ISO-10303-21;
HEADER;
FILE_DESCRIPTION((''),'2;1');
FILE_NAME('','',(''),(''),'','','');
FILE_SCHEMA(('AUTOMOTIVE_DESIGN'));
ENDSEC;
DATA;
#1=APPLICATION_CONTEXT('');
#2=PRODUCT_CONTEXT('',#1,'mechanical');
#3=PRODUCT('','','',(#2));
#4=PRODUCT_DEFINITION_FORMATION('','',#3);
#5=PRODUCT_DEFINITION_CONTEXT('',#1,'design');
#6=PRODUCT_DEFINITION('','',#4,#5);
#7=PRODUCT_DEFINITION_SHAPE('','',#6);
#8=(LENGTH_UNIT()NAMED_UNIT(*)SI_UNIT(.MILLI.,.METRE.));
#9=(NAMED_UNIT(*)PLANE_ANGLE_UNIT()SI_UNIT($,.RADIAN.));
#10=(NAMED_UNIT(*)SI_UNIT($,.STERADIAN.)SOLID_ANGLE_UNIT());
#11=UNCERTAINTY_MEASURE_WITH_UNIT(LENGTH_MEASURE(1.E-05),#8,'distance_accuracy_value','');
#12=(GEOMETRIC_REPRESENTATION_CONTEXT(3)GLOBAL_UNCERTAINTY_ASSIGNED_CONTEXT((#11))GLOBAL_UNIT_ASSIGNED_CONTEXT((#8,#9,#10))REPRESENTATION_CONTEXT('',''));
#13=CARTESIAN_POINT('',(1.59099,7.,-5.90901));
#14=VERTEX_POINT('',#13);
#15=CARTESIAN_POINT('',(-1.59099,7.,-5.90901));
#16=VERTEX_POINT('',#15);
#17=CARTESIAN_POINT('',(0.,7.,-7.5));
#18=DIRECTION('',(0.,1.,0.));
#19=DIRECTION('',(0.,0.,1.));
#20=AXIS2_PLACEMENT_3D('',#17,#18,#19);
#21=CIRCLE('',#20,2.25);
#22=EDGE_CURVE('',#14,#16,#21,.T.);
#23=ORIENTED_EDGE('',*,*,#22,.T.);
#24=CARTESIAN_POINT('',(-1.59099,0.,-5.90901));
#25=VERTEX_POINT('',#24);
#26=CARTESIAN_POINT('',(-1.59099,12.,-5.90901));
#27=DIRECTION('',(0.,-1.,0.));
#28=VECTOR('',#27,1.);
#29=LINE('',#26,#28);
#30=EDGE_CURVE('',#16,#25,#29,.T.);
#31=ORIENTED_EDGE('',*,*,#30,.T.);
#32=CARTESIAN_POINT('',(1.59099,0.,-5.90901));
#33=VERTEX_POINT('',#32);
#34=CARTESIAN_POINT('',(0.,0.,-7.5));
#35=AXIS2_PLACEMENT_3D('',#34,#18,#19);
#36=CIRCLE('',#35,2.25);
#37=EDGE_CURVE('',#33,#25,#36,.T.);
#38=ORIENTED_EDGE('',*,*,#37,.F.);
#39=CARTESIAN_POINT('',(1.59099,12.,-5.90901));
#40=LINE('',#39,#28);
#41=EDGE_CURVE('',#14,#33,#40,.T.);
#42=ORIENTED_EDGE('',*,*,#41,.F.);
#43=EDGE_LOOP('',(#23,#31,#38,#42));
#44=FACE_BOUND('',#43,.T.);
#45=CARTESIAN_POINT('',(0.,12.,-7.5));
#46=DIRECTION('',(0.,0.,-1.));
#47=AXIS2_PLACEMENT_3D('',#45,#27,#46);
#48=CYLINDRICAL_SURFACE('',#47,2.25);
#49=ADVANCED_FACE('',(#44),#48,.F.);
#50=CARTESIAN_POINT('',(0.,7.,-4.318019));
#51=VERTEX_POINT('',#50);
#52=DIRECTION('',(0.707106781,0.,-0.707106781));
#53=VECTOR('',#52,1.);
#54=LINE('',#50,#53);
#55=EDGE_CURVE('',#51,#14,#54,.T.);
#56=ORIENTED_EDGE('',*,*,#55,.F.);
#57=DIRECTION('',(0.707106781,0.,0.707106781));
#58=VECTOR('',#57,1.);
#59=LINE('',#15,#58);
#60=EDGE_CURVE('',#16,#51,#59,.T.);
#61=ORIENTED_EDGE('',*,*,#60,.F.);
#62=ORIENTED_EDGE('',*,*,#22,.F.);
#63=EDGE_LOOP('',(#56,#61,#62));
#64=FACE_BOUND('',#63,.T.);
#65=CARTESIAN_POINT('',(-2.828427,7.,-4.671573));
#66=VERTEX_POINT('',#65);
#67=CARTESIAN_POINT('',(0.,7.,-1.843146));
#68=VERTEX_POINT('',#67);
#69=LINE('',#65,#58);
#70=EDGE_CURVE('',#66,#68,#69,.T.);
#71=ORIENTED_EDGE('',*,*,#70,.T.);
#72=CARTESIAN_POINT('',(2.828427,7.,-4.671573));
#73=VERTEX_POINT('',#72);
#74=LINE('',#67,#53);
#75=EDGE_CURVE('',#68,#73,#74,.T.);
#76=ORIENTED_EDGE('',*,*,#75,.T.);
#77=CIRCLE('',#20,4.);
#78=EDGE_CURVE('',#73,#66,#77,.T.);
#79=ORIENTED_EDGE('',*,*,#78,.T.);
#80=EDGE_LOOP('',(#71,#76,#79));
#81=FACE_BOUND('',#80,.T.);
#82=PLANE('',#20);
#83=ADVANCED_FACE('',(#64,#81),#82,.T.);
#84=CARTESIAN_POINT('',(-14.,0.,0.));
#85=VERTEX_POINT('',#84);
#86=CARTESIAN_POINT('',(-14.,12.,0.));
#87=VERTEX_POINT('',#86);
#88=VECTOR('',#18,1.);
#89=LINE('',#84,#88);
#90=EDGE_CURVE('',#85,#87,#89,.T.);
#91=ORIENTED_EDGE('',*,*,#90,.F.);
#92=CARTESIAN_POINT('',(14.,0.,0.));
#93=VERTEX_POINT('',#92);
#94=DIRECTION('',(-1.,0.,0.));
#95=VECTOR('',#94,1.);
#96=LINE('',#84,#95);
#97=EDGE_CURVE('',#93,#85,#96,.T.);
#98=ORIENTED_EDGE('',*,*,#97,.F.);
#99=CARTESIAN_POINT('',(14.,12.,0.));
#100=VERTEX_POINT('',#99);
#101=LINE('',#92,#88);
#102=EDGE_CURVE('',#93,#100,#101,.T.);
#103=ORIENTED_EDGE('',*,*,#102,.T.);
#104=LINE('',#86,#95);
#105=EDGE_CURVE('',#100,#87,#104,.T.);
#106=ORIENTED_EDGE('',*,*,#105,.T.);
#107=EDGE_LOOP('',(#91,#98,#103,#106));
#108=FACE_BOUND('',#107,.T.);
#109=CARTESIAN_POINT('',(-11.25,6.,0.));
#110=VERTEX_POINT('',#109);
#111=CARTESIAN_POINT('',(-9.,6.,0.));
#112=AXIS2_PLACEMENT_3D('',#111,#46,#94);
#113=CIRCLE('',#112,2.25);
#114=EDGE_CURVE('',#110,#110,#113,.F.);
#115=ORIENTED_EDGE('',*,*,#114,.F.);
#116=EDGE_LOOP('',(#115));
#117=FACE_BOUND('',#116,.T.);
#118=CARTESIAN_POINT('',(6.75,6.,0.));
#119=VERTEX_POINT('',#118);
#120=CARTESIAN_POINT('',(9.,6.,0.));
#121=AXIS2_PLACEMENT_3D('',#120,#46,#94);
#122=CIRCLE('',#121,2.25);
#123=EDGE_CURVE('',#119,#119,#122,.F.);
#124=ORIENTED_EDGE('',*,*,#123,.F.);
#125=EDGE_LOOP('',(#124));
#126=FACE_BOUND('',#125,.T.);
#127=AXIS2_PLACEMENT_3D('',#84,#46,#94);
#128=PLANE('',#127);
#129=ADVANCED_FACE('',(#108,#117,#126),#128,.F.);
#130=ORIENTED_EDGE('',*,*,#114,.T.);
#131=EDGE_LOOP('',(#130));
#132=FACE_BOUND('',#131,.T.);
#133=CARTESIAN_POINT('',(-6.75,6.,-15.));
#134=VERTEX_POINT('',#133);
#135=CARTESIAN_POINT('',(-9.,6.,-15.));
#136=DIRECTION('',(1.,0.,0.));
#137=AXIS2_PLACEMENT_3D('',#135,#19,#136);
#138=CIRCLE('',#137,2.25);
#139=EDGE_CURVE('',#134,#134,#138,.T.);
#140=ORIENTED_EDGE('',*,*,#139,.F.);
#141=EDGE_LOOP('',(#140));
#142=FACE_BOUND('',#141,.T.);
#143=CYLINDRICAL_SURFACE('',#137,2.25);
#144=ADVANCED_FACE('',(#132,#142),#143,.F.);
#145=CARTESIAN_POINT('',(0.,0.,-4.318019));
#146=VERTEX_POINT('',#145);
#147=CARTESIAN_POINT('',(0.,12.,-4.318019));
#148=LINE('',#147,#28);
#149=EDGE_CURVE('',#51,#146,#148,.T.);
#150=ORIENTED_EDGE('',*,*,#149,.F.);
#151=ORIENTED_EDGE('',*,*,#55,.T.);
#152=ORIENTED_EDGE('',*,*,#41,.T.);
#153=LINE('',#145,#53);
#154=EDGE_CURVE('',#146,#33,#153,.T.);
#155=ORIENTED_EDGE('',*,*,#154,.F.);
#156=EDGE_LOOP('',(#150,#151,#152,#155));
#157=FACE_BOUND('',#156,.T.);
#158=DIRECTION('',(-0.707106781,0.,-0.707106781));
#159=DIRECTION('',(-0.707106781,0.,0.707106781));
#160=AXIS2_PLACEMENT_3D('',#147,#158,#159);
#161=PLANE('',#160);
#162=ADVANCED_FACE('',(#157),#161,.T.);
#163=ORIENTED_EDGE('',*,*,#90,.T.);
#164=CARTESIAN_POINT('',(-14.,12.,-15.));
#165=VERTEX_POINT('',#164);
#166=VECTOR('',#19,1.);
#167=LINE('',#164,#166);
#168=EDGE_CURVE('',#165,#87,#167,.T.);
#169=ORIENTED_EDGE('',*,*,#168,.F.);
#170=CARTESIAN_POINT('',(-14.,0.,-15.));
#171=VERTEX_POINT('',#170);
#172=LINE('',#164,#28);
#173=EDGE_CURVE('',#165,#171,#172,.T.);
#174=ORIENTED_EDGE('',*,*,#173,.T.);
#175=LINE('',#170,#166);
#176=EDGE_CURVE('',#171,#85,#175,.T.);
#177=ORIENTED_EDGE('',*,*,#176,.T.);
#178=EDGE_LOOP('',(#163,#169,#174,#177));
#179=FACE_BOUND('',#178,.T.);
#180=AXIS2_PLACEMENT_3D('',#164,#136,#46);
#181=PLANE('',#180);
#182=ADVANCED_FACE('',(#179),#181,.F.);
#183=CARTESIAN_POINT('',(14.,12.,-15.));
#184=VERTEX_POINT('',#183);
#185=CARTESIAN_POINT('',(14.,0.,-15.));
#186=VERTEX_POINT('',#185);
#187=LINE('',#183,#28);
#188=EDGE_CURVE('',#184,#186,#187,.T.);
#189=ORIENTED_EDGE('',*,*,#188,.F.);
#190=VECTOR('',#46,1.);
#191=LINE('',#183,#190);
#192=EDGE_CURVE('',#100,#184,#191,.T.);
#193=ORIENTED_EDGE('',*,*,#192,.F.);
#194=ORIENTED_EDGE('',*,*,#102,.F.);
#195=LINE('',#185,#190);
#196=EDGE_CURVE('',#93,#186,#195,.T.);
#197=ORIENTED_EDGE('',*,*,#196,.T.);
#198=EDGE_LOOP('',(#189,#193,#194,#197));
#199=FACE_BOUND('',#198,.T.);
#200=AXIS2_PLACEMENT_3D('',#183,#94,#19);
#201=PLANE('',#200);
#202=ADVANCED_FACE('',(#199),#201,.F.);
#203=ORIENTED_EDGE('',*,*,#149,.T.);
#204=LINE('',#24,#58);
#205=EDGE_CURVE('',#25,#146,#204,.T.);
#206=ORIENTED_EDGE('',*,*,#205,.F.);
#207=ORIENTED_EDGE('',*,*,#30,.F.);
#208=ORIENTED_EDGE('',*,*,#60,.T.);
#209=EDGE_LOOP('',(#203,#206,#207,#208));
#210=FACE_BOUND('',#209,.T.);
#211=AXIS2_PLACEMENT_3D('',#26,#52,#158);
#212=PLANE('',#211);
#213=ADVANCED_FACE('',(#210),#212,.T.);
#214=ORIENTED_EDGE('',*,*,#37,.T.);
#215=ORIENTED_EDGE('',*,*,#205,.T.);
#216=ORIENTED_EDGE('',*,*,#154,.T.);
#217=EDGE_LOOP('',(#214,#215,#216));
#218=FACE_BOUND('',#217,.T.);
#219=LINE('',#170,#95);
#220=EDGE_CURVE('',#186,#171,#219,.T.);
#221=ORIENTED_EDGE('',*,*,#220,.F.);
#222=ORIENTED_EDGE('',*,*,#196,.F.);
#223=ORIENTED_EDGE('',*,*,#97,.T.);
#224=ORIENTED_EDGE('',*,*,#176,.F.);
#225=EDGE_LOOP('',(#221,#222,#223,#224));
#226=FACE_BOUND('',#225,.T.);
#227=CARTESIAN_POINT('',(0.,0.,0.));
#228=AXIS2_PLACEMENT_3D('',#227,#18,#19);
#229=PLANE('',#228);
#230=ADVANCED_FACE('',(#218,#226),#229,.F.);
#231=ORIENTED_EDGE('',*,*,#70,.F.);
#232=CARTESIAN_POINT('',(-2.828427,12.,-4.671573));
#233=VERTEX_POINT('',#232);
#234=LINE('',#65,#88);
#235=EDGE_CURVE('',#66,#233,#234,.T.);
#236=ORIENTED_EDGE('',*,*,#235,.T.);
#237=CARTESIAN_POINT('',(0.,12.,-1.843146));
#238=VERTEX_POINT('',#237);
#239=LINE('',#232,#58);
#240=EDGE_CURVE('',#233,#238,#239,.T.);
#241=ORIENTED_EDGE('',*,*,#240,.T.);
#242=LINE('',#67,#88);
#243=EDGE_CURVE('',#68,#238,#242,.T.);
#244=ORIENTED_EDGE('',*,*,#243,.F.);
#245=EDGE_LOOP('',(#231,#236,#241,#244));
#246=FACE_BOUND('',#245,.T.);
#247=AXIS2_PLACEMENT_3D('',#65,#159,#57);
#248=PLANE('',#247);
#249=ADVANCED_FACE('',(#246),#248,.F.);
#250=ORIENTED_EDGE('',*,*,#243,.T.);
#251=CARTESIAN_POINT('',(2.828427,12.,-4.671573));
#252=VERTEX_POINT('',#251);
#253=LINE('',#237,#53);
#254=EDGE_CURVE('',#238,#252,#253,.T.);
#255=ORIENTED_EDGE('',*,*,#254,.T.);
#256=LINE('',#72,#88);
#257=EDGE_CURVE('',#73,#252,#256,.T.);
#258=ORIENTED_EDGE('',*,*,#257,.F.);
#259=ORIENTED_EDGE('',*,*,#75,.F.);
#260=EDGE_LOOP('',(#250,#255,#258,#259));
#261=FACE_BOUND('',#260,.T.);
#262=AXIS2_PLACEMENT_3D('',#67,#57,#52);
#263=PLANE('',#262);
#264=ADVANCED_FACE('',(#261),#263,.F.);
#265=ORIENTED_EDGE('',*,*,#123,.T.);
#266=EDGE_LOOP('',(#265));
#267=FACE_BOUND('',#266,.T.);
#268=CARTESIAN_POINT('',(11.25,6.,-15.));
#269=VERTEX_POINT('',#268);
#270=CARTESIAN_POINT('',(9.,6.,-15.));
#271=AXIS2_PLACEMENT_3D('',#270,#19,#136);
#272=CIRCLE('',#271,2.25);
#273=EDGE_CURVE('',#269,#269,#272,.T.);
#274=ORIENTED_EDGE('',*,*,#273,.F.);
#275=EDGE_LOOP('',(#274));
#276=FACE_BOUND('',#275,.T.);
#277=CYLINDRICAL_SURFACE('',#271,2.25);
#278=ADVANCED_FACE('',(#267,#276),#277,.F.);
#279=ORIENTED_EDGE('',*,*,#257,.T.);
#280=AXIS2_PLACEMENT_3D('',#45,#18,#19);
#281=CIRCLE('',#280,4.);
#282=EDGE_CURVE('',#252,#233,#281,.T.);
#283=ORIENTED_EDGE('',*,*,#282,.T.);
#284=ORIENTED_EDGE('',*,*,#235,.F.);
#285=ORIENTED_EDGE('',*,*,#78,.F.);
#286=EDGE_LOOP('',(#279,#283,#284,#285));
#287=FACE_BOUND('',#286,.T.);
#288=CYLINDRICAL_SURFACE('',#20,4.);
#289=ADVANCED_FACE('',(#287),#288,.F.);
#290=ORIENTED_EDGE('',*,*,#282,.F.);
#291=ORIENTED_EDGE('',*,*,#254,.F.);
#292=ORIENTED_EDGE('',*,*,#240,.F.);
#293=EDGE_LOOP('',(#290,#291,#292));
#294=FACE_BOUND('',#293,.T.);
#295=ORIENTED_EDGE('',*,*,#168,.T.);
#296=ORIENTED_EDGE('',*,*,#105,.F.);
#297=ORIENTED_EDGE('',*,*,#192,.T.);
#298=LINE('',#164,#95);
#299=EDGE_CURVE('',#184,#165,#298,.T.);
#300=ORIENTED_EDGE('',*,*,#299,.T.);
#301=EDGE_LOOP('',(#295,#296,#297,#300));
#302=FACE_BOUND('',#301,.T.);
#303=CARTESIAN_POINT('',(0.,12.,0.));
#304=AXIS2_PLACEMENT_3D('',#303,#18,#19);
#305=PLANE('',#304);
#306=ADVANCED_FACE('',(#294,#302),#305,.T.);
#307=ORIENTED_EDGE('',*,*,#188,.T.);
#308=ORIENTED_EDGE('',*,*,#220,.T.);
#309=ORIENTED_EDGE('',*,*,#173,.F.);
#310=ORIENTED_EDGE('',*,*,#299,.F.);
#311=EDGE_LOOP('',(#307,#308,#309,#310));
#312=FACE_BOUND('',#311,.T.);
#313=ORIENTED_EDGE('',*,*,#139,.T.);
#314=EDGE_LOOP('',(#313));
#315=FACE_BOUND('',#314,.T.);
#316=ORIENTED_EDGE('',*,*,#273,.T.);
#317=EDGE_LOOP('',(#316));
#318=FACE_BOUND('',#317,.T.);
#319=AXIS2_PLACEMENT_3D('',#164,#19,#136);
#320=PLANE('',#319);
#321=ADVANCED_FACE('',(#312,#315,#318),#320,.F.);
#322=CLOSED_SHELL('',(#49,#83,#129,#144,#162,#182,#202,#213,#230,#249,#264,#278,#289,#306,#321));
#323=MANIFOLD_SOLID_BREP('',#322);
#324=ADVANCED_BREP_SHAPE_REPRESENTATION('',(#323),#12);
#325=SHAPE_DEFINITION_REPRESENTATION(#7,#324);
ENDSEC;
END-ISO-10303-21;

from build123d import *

# Parameters (mm, degrees)
SKETCH1_W           = 28
SKETCH1_H           = 30
BOSS_EXTRUDE1_DEPTH = 12
SKETCH2_R           = 2.25
CUT_EXTRUDE1_DEPTH  = 36.213633723
SKETCH4_W           = 28
SKETCH4_H           = 15
CUT_EXTRUDE3_DEPTH  = 24.769728648
CUT_EXTRUDE4_DEPTH  = 5


with BuildPart() as part:
    # Sketch1 → Boss-Extrude1 (new body)
    with BuildSketch(Plane(origin=(0, 0, 0), x_dir=(1, 0, 0), z_dir=(0, 1, 0))):
        Rectangle(SKETCH1_W, SKETCH1_H)
        with BuildLine():
            Line((-1.590990258, -9.090990258), (0, -10.681980515))
            Line((0, -10.681980515), (1.590990258, -9.090990258))
            ThreePointArc((1.590990258, -9.090990258), (0, -5.25), (-1.590990258, -9.090990258))
        make_face(mode=Mode.SUBTRACT)
        with BuildLine():
            Line((-1.590990258, 5.909009742), (0, 4.318019485))
            Line((0, 4.318019485), (1.590990258, 5.909009742))
            ThreePointArc((1.590990258, 5.909009742), (0, 9.75), (-1.590990258, 5.909009742))
        make_face(mode=Mode.SUBTRACT)
    extrude(amount=BOSS_EXTRUDE1_DEPTH)

    # Sketch2 → Cut-Extrude1 (cut, through all)
    with BuildSketch(Plane.XY.offset(15)):
        with Locations((-9, 6)):
            Circle(SKETCH2_R)
        with Locations((9, 6)):
            Circle(SKETCH2_R)
    extrude(amount=-CUT_EXTRUDE1_DEPTH, mode=Mode.SUBTRACT)

    # Sketch4 → Cut-Extrude3 (cut, through all)
    with BuildSketch(Plane(origin=(0, 12, 0), x_dir=(1, 0, 0), z_dir=(0, 1, 0))):
        with Locations((0, -7.5)):
            Rectangle(SKETCH4_W, SKETCH4_H)
    extrude(amount=-CUT_EXTRUDE3_DEPTH, mode=Mode.SUBTRACT)

    # Sketch5 → Cut-Extrude4 (cut)
    with BuildSketch(Plane(origin=(0, 12, 0), x_dir=(1, 0, 0), z_dir=(0, 1, 0))):
        with BuildLine():
            Line((-2.828427125, 4.671572875), (0, 1.843145751))
            Line((0, 1.843145751), (2.828427125, 4.671572875))
            ThreePointArc((2.828427125, 4.671572875), (0, 11.5), (-2.828427125, 4.671572875))
        make_face()
    extrude(amount=-CUT_EXTRUDE4_DEPTH, mode=Mode.SUBTRACT)


solid = part.part
